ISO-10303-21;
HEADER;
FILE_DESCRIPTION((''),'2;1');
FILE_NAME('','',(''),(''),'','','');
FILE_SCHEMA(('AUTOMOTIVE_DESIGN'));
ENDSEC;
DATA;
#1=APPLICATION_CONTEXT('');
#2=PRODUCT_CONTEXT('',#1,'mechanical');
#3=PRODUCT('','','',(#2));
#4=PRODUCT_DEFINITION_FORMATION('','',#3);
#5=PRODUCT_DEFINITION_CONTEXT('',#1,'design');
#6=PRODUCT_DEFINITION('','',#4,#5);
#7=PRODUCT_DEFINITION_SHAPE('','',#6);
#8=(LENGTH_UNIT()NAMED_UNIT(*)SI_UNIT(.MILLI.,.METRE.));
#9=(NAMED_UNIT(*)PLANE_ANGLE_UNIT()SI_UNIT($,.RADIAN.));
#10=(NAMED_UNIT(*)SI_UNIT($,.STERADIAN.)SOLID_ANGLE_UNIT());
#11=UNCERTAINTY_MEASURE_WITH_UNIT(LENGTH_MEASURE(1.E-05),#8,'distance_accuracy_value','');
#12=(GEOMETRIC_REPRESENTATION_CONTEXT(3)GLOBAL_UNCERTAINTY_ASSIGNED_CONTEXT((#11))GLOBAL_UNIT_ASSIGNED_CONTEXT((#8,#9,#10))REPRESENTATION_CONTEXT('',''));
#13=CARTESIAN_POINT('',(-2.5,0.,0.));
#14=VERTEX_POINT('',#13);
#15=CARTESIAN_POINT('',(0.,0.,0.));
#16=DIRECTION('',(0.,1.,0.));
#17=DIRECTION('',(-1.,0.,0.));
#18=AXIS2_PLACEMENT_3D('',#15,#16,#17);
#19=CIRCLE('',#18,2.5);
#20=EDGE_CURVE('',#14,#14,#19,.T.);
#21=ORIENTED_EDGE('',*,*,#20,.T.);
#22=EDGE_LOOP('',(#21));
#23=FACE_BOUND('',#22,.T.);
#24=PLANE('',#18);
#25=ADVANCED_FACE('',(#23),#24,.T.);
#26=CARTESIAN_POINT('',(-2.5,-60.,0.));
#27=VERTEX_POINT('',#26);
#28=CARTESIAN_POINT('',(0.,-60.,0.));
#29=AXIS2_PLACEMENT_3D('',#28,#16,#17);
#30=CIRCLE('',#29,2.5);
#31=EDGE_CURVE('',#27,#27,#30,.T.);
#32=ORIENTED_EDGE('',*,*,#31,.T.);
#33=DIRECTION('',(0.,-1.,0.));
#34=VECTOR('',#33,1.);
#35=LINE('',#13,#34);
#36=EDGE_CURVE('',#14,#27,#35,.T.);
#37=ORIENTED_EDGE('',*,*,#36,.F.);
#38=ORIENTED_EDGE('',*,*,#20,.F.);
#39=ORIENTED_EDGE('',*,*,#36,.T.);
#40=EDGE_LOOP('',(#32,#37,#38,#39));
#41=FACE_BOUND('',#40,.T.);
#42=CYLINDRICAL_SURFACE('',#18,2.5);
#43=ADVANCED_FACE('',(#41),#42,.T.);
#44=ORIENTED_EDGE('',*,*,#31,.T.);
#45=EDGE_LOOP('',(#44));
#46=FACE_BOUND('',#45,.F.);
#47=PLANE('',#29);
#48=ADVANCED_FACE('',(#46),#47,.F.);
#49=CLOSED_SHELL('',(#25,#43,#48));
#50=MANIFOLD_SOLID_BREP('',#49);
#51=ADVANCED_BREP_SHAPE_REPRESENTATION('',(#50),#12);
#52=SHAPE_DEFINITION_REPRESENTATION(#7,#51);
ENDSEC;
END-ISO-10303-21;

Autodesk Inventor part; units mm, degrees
ref_plane "YZ Plane" through (0, 0, 0) normal (1, 0, 0) x (0, 1, 0)
ref_plane "XZ Plane" through (0, 0, 0) normal (0, 1, 0) x (-1, 0, 0)
ref_plane "XY Plane" through (0, 0, 0) normal (0, 0, 1) x (1, 0, 0)
sketch "Sketch1" plane through (0, 0, 0) normal (0, 1, 0) x (-1, 0, 0)
  circle A0 centre (0, 0) radius 2.5
  dimension "d0" = 5
extrude "Extrusion1" add sketch "Sketch1" against normal blind 60
thread "Thread1" size "12-24 UNC" class "2A" standard "ANSI Unified Screw Threads" full length
properties part number "M5 60mm Threaded Rod"
